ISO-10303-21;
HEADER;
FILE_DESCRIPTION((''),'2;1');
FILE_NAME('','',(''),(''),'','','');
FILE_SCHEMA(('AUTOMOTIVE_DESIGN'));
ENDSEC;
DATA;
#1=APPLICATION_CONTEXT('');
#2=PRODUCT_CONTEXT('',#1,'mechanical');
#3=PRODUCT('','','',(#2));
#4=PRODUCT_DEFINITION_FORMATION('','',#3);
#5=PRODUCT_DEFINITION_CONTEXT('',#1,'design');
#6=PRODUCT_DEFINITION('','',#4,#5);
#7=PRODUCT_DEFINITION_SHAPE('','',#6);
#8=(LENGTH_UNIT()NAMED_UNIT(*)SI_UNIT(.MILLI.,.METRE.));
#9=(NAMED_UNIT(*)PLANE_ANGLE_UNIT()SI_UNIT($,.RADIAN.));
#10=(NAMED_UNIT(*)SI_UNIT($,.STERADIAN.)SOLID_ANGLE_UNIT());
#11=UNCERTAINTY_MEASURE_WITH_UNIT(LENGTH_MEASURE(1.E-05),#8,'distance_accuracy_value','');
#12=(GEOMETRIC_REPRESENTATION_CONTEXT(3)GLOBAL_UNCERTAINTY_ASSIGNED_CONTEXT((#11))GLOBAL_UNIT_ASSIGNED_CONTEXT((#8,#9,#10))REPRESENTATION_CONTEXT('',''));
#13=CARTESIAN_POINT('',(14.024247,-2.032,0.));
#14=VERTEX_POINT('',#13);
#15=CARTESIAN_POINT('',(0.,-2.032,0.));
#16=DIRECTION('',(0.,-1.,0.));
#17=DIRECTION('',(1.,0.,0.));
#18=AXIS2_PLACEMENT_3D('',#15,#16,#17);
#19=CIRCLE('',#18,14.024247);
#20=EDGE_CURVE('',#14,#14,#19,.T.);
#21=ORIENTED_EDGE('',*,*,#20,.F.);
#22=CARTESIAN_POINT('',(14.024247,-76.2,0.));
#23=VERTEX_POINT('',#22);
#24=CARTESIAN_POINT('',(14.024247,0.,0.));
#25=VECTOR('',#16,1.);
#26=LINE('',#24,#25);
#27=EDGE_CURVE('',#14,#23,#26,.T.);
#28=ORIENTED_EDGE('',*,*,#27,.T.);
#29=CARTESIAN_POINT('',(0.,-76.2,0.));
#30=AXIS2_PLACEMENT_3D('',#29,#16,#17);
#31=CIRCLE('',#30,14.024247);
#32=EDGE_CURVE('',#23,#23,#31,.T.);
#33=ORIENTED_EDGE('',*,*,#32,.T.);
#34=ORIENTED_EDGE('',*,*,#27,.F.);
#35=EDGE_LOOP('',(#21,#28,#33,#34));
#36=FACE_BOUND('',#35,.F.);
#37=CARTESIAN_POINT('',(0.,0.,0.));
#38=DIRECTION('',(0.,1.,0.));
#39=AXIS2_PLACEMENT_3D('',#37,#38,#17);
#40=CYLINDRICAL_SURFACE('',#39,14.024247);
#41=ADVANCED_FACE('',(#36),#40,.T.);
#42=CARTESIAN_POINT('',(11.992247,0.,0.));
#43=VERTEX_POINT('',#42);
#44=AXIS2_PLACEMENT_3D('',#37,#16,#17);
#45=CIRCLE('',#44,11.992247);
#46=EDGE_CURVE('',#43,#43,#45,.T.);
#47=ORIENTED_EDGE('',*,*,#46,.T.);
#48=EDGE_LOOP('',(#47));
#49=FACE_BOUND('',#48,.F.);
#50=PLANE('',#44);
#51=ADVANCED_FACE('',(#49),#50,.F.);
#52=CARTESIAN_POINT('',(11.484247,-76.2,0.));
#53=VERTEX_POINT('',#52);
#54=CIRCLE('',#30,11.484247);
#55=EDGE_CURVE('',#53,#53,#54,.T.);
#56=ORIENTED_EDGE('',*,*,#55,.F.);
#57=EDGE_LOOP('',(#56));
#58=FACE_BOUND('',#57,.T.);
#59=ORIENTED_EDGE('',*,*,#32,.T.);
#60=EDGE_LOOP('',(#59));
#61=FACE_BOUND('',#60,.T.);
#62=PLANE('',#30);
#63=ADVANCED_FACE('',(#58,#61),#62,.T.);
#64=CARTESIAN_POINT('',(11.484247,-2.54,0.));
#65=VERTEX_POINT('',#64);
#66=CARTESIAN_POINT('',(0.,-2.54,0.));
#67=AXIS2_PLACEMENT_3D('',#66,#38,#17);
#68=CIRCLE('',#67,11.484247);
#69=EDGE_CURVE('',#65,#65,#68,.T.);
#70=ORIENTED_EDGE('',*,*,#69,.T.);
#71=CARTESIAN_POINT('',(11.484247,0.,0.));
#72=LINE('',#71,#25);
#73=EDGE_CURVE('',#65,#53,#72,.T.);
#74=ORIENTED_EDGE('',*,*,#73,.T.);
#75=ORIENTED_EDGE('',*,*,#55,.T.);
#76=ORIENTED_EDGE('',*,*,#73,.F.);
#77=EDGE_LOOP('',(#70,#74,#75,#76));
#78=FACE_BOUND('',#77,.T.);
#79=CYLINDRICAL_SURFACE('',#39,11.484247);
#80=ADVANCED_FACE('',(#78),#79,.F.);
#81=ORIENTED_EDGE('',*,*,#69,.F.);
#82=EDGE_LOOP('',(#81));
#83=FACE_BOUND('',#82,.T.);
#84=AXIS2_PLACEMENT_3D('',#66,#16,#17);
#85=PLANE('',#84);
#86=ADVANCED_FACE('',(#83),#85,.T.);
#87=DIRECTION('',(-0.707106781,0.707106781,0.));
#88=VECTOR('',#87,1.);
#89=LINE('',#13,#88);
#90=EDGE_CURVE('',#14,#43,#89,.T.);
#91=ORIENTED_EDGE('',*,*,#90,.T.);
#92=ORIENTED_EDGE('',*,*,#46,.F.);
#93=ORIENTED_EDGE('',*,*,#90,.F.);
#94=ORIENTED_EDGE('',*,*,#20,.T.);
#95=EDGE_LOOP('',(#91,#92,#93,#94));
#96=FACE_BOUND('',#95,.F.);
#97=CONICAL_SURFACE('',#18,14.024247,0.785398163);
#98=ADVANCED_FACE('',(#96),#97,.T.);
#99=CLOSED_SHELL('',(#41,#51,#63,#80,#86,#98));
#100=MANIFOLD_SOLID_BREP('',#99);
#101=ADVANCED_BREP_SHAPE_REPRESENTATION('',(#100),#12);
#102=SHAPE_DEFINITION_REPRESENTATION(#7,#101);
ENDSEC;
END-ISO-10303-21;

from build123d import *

# Parameters (mm, degrees)
F2_R     = 14.024247
F0_DEPTH = 76.2
F1_T     = -2.54
F3_SIZE  = 2.032


with BuildPart() as f0:
    # F2 (on Front) → F0 (new body)
    with BuildSketch(Plane.XZ):
        Circle(F2_R)
    extrude(amount=F0_DEPTH)

    # F1
    f1_openings = [f0.faces().sort_by_distance(p)[0] for p in [
        (0, -76.2, 0),
    ]]
    offset(amount=F1_T, openings=f1_openings)

    # F3
    f3_edges = [f0.edges().sort_by_distance(p)[0] for p in [
        (-14.024247, 0, 0),
    ]]
    chamfer(f3_edges, length=F3_SIZE)


solid = f0.part
